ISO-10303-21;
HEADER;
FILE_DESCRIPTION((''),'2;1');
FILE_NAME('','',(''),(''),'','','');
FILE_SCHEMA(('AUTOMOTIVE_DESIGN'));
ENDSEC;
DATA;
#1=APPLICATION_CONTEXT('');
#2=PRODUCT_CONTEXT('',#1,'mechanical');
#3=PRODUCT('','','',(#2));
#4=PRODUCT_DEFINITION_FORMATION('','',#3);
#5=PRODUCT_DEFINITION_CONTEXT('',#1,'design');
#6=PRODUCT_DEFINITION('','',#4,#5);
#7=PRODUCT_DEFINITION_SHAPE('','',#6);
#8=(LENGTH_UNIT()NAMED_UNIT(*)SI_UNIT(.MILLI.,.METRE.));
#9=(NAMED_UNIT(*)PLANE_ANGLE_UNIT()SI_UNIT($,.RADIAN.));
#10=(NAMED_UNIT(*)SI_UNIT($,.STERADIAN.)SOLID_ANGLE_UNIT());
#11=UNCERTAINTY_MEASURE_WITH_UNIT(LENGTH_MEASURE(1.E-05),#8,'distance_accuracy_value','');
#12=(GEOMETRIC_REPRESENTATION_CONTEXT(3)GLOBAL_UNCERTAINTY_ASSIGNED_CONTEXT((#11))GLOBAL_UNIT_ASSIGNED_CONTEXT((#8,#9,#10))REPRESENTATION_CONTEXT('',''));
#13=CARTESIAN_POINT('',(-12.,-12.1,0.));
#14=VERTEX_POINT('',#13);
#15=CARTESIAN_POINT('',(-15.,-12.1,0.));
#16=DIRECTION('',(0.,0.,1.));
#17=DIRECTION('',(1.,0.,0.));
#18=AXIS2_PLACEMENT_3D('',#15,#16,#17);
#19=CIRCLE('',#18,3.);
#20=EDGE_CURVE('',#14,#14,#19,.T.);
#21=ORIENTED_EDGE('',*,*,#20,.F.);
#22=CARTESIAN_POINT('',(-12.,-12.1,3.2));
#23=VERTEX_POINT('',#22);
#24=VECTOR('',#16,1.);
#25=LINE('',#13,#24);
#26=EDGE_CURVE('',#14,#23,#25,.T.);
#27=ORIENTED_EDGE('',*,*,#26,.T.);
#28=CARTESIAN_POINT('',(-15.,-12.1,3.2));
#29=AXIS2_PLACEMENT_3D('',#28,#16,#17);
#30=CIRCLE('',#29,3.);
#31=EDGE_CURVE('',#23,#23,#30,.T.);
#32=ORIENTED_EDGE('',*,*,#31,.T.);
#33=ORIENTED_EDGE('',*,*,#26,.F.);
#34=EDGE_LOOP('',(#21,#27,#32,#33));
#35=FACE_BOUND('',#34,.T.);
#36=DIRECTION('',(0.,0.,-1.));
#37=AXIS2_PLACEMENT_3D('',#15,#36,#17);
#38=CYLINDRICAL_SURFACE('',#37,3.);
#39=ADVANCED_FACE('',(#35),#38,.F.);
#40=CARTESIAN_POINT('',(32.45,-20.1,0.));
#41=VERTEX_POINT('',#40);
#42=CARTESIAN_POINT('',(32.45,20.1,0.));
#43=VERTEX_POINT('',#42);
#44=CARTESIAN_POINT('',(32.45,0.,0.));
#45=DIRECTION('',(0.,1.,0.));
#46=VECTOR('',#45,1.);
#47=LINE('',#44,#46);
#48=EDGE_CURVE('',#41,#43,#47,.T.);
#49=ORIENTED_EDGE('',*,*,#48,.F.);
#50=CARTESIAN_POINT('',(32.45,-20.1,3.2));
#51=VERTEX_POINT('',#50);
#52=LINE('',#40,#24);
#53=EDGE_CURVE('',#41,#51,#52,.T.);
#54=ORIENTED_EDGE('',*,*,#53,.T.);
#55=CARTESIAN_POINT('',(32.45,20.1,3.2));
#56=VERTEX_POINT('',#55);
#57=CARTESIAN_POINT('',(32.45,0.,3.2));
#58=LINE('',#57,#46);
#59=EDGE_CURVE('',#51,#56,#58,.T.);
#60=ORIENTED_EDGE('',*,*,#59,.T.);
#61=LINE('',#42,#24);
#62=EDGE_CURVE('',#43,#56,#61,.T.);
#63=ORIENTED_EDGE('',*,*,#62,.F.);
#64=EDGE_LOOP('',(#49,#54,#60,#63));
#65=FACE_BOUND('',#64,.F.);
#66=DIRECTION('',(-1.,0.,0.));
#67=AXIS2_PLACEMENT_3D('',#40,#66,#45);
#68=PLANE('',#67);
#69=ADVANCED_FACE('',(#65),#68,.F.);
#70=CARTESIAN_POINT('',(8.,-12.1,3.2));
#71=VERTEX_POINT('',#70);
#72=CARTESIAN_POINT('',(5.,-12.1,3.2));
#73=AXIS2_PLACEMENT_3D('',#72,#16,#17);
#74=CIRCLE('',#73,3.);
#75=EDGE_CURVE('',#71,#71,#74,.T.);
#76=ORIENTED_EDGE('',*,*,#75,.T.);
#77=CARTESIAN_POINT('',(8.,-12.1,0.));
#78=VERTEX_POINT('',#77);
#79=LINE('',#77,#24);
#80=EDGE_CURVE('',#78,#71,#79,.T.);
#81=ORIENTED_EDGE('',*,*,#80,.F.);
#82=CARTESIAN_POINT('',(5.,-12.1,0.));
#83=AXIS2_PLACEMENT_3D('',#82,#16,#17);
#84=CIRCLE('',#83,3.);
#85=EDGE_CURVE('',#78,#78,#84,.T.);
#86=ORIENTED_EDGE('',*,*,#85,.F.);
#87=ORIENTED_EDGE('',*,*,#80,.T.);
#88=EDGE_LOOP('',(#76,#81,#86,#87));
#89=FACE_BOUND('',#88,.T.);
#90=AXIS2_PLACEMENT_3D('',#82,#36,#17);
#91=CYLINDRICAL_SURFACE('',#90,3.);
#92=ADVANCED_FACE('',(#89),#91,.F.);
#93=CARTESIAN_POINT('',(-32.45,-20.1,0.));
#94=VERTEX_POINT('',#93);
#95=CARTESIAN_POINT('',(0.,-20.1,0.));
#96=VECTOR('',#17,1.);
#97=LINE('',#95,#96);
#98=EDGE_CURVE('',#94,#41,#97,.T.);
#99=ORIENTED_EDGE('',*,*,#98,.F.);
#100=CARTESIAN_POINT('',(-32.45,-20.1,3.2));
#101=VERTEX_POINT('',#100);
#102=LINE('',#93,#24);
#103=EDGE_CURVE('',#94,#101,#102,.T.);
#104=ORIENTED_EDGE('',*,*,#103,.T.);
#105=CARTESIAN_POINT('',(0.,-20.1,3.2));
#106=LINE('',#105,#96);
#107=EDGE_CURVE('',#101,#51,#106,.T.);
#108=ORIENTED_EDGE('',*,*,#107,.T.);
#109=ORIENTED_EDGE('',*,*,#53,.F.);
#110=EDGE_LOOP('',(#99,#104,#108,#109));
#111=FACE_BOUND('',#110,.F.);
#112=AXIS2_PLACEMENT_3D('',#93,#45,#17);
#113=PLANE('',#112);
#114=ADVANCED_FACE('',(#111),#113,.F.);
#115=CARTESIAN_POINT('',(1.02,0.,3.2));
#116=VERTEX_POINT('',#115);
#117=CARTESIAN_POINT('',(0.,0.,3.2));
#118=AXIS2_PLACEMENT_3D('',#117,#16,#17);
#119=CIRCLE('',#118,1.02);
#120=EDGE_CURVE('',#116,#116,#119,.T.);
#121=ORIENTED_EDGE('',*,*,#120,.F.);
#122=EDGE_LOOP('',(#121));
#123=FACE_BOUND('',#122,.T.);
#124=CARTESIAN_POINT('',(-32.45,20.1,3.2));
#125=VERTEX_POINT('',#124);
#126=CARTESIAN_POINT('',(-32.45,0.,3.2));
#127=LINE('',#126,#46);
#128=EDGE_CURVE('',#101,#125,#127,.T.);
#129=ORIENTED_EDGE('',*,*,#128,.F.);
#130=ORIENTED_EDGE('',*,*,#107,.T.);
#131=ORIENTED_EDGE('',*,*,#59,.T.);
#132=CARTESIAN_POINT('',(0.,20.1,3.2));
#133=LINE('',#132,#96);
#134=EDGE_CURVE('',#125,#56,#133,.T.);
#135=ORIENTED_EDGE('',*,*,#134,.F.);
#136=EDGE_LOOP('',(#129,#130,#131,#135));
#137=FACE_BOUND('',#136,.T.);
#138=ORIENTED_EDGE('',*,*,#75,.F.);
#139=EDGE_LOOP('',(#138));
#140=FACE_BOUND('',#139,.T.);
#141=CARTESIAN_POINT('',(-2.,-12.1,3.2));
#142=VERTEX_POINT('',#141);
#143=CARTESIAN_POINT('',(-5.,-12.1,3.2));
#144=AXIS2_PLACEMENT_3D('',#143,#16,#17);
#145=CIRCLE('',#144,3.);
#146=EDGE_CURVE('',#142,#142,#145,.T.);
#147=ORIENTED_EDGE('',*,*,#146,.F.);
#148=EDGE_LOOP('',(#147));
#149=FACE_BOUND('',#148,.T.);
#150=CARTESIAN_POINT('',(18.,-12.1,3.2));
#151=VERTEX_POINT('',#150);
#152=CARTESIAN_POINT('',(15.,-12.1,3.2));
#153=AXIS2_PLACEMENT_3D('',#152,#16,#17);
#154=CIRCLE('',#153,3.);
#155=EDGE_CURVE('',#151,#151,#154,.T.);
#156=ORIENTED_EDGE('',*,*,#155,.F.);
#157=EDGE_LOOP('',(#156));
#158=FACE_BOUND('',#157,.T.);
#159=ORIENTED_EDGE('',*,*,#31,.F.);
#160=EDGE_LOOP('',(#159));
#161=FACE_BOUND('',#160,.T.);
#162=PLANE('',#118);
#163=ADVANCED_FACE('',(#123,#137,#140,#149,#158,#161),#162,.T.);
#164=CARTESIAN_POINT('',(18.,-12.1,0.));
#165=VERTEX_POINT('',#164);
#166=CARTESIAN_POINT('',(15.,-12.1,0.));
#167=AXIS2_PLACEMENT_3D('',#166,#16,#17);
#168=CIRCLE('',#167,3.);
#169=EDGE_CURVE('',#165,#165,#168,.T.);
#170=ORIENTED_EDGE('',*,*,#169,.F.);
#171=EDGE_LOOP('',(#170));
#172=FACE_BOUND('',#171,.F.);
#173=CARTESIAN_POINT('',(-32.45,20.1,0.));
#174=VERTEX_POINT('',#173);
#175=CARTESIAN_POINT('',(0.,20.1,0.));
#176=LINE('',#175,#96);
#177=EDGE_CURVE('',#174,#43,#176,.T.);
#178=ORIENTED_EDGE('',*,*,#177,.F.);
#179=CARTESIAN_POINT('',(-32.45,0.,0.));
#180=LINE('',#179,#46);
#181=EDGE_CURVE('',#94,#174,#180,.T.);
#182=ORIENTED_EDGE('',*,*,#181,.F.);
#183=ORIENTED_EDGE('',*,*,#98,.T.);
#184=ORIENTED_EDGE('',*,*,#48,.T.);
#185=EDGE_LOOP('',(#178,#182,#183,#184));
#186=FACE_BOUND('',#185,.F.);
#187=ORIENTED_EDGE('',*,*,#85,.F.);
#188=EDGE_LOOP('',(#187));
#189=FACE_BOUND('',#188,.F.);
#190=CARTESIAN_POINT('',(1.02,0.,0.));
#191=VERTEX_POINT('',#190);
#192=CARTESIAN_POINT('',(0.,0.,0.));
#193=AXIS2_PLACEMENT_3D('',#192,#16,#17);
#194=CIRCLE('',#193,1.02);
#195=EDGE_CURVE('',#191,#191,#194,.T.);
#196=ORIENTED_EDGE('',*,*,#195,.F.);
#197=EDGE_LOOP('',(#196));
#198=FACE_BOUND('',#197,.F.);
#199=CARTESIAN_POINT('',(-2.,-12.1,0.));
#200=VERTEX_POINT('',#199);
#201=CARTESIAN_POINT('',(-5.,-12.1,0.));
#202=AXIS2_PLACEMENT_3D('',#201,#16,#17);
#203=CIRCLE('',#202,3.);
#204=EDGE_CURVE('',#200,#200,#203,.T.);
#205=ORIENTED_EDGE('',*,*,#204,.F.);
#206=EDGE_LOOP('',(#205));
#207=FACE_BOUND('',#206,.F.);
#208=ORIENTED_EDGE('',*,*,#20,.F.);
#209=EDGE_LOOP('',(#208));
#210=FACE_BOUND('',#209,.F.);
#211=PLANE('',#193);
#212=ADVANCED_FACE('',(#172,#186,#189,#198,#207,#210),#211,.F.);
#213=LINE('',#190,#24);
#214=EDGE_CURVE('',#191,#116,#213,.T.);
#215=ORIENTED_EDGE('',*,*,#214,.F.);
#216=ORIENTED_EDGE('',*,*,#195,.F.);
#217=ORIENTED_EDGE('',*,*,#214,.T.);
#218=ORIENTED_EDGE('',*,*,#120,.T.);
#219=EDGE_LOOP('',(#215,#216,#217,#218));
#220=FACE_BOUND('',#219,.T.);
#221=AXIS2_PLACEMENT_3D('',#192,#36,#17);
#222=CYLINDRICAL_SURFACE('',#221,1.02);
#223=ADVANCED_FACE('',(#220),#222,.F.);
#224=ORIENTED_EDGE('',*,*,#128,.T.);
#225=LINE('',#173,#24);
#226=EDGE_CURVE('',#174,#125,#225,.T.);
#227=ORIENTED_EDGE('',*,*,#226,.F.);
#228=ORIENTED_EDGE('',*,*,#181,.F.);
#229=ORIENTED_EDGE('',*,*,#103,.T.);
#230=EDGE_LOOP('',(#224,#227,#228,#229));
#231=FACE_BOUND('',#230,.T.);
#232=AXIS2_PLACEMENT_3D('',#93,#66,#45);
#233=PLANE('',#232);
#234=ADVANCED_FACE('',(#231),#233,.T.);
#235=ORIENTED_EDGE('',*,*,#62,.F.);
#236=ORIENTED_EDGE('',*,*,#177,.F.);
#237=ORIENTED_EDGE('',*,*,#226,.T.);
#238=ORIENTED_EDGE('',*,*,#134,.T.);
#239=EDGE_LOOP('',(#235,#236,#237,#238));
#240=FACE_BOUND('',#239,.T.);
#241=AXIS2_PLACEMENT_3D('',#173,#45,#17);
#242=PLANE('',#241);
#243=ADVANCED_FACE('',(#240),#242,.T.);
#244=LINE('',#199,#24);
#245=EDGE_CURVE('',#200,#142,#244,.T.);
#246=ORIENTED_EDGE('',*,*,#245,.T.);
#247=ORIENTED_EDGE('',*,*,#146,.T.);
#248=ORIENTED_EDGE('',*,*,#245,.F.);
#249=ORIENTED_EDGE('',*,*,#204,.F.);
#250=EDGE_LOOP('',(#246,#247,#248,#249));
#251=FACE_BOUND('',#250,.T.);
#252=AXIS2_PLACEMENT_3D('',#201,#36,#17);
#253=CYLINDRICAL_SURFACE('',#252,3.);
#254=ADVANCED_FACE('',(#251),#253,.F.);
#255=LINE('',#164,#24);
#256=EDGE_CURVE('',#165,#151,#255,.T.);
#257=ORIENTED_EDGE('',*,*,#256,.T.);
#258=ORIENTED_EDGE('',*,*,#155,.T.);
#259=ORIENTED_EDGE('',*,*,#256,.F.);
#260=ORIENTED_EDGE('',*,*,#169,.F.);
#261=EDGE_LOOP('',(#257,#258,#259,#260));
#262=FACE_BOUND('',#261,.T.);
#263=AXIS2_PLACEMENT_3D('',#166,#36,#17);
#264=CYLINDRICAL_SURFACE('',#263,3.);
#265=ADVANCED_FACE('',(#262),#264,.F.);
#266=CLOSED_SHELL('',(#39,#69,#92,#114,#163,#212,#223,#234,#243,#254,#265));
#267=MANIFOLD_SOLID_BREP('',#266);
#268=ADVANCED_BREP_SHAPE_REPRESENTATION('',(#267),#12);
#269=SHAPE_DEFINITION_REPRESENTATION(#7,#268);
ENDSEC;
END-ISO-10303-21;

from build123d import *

# Parameters (mm, degrees)
SKETCH_W   = 64.9
SKETCH_H   = 40.2
SKETCH_R   = 1.02
SKETCH_R_2 = 3
PAD_DEPTH  = 3.2


with BuildPart() as part:
    # Sketch → Pad (new body)
    with BuildSketch(Plane.XY):
        Rectangle(SKETCH_W, SKETCH_H)
        Circle(SKETCH_R, mode=Mode.SUBTRACT)
        with Locations((15, -12.1)):
            Circle(SKETCH_R_2, mode=Mode.SUBTRACT)
        with Locations((5, -12.1)):
            Circle(SKETCH_R_2, mode=Mode.SUBTRACT)
        with Locations((-5, -12.1)):
            Circle(SKETCH_R_2, mode=Mode.SUBTRACT)
        with Locations((-15, -12.1)):
            Circle(SKETCH_R_2, mode=Mode.SUBTRACT)
    extrude(amount=PAD_DEPTH)


solid = part.part
